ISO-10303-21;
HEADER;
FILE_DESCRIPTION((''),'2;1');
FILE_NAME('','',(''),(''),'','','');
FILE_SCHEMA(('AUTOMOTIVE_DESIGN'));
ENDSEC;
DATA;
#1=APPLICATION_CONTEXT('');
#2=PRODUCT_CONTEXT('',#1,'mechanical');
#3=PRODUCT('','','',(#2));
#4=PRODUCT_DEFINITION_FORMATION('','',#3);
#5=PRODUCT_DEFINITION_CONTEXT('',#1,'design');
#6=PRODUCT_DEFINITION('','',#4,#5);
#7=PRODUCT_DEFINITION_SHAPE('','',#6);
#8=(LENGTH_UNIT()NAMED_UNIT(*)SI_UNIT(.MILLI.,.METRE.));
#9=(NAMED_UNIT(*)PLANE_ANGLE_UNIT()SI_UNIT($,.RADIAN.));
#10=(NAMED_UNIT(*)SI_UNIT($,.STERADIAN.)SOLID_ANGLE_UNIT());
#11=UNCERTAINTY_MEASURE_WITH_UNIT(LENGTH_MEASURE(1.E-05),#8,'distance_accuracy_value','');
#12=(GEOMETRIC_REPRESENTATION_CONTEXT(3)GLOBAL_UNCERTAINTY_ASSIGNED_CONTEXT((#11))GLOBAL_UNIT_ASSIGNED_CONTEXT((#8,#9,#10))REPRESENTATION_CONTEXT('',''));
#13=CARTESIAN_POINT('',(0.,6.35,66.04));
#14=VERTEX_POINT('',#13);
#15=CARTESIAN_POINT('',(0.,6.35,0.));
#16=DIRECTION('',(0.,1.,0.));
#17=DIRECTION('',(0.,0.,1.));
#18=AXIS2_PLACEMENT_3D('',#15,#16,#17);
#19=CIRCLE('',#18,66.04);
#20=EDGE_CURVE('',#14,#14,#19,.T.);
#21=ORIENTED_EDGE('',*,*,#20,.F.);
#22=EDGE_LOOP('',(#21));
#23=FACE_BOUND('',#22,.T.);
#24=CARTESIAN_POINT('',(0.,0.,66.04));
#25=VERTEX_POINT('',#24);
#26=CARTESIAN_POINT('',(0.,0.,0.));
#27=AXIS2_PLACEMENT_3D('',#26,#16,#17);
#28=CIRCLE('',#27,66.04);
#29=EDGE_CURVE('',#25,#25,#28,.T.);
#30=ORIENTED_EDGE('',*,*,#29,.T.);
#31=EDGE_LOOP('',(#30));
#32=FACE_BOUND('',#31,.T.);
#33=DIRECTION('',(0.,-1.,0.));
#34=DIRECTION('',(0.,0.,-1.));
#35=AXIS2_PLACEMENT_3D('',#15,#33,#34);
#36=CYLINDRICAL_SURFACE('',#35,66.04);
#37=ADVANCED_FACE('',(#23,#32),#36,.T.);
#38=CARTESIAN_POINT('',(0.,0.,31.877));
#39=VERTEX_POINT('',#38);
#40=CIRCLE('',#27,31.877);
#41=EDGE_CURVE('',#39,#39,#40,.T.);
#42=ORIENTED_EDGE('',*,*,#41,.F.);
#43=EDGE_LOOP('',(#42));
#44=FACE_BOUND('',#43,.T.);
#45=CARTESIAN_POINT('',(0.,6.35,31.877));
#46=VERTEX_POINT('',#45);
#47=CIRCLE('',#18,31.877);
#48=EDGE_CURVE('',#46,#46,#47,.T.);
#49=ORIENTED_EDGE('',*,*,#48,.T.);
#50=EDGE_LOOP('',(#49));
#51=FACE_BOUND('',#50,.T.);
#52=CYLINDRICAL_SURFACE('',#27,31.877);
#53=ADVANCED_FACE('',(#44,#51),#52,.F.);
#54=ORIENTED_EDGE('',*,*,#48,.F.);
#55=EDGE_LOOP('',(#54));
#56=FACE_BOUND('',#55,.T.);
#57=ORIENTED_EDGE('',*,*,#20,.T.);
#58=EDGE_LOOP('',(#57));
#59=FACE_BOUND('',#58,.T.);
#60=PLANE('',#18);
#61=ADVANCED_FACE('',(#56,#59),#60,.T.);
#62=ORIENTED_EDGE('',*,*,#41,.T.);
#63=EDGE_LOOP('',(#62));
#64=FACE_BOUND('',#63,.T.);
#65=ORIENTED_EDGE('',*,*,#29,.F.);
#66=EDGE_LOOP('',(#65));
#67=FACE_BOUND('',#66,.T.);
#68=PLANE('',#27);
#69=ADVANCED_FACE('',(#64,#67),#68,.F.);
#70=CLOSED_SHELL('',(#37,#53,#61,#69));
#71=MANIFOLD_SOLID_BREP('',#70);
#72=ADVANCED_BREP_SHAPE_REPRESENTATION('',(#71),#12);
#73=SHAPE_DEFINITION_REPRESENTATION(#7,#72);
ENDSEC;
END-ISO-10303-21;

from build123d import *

# Parameters (mm, degrees)
SKETCH1_R           = 66.04
BOSS_EXTRUDE1_DEPTH = 6.35
SKETCH2_R           = 31.877
CUT_EXTRUDE1_DEPTH  = 6.35


with BuildPart() as part:
    # Sketch1 → Boss-Extrude1 (new body)
    with BuildSketch(Plane(origin=(0, 0, 0), x_dir=(1, 0, 0), z_dir=(0, 1, 0))):
        with Locations(Location((0, 0, 0), (0, 0, 270))):
            Circle(SKETCH1_R)
    extrude(amount=BOSS_EXTRUDE1_DEPTH)

    # Sketch2 → Cut-Extrude1 (cut)
    with BuildSketch(Plane(origin=(0, 6.35, 0), x_dir=(1, 0, 0), z_dir=(0, 1, 0))):
        with Locations(Location((0, 0, 0), (0, 0, 270))):
            Circle(SKETCH2_R)
    extrude(amount=-CUT_EXTRUDE1_DEPTH, mode=Mode.SUBTRACT)


solid = part.part
